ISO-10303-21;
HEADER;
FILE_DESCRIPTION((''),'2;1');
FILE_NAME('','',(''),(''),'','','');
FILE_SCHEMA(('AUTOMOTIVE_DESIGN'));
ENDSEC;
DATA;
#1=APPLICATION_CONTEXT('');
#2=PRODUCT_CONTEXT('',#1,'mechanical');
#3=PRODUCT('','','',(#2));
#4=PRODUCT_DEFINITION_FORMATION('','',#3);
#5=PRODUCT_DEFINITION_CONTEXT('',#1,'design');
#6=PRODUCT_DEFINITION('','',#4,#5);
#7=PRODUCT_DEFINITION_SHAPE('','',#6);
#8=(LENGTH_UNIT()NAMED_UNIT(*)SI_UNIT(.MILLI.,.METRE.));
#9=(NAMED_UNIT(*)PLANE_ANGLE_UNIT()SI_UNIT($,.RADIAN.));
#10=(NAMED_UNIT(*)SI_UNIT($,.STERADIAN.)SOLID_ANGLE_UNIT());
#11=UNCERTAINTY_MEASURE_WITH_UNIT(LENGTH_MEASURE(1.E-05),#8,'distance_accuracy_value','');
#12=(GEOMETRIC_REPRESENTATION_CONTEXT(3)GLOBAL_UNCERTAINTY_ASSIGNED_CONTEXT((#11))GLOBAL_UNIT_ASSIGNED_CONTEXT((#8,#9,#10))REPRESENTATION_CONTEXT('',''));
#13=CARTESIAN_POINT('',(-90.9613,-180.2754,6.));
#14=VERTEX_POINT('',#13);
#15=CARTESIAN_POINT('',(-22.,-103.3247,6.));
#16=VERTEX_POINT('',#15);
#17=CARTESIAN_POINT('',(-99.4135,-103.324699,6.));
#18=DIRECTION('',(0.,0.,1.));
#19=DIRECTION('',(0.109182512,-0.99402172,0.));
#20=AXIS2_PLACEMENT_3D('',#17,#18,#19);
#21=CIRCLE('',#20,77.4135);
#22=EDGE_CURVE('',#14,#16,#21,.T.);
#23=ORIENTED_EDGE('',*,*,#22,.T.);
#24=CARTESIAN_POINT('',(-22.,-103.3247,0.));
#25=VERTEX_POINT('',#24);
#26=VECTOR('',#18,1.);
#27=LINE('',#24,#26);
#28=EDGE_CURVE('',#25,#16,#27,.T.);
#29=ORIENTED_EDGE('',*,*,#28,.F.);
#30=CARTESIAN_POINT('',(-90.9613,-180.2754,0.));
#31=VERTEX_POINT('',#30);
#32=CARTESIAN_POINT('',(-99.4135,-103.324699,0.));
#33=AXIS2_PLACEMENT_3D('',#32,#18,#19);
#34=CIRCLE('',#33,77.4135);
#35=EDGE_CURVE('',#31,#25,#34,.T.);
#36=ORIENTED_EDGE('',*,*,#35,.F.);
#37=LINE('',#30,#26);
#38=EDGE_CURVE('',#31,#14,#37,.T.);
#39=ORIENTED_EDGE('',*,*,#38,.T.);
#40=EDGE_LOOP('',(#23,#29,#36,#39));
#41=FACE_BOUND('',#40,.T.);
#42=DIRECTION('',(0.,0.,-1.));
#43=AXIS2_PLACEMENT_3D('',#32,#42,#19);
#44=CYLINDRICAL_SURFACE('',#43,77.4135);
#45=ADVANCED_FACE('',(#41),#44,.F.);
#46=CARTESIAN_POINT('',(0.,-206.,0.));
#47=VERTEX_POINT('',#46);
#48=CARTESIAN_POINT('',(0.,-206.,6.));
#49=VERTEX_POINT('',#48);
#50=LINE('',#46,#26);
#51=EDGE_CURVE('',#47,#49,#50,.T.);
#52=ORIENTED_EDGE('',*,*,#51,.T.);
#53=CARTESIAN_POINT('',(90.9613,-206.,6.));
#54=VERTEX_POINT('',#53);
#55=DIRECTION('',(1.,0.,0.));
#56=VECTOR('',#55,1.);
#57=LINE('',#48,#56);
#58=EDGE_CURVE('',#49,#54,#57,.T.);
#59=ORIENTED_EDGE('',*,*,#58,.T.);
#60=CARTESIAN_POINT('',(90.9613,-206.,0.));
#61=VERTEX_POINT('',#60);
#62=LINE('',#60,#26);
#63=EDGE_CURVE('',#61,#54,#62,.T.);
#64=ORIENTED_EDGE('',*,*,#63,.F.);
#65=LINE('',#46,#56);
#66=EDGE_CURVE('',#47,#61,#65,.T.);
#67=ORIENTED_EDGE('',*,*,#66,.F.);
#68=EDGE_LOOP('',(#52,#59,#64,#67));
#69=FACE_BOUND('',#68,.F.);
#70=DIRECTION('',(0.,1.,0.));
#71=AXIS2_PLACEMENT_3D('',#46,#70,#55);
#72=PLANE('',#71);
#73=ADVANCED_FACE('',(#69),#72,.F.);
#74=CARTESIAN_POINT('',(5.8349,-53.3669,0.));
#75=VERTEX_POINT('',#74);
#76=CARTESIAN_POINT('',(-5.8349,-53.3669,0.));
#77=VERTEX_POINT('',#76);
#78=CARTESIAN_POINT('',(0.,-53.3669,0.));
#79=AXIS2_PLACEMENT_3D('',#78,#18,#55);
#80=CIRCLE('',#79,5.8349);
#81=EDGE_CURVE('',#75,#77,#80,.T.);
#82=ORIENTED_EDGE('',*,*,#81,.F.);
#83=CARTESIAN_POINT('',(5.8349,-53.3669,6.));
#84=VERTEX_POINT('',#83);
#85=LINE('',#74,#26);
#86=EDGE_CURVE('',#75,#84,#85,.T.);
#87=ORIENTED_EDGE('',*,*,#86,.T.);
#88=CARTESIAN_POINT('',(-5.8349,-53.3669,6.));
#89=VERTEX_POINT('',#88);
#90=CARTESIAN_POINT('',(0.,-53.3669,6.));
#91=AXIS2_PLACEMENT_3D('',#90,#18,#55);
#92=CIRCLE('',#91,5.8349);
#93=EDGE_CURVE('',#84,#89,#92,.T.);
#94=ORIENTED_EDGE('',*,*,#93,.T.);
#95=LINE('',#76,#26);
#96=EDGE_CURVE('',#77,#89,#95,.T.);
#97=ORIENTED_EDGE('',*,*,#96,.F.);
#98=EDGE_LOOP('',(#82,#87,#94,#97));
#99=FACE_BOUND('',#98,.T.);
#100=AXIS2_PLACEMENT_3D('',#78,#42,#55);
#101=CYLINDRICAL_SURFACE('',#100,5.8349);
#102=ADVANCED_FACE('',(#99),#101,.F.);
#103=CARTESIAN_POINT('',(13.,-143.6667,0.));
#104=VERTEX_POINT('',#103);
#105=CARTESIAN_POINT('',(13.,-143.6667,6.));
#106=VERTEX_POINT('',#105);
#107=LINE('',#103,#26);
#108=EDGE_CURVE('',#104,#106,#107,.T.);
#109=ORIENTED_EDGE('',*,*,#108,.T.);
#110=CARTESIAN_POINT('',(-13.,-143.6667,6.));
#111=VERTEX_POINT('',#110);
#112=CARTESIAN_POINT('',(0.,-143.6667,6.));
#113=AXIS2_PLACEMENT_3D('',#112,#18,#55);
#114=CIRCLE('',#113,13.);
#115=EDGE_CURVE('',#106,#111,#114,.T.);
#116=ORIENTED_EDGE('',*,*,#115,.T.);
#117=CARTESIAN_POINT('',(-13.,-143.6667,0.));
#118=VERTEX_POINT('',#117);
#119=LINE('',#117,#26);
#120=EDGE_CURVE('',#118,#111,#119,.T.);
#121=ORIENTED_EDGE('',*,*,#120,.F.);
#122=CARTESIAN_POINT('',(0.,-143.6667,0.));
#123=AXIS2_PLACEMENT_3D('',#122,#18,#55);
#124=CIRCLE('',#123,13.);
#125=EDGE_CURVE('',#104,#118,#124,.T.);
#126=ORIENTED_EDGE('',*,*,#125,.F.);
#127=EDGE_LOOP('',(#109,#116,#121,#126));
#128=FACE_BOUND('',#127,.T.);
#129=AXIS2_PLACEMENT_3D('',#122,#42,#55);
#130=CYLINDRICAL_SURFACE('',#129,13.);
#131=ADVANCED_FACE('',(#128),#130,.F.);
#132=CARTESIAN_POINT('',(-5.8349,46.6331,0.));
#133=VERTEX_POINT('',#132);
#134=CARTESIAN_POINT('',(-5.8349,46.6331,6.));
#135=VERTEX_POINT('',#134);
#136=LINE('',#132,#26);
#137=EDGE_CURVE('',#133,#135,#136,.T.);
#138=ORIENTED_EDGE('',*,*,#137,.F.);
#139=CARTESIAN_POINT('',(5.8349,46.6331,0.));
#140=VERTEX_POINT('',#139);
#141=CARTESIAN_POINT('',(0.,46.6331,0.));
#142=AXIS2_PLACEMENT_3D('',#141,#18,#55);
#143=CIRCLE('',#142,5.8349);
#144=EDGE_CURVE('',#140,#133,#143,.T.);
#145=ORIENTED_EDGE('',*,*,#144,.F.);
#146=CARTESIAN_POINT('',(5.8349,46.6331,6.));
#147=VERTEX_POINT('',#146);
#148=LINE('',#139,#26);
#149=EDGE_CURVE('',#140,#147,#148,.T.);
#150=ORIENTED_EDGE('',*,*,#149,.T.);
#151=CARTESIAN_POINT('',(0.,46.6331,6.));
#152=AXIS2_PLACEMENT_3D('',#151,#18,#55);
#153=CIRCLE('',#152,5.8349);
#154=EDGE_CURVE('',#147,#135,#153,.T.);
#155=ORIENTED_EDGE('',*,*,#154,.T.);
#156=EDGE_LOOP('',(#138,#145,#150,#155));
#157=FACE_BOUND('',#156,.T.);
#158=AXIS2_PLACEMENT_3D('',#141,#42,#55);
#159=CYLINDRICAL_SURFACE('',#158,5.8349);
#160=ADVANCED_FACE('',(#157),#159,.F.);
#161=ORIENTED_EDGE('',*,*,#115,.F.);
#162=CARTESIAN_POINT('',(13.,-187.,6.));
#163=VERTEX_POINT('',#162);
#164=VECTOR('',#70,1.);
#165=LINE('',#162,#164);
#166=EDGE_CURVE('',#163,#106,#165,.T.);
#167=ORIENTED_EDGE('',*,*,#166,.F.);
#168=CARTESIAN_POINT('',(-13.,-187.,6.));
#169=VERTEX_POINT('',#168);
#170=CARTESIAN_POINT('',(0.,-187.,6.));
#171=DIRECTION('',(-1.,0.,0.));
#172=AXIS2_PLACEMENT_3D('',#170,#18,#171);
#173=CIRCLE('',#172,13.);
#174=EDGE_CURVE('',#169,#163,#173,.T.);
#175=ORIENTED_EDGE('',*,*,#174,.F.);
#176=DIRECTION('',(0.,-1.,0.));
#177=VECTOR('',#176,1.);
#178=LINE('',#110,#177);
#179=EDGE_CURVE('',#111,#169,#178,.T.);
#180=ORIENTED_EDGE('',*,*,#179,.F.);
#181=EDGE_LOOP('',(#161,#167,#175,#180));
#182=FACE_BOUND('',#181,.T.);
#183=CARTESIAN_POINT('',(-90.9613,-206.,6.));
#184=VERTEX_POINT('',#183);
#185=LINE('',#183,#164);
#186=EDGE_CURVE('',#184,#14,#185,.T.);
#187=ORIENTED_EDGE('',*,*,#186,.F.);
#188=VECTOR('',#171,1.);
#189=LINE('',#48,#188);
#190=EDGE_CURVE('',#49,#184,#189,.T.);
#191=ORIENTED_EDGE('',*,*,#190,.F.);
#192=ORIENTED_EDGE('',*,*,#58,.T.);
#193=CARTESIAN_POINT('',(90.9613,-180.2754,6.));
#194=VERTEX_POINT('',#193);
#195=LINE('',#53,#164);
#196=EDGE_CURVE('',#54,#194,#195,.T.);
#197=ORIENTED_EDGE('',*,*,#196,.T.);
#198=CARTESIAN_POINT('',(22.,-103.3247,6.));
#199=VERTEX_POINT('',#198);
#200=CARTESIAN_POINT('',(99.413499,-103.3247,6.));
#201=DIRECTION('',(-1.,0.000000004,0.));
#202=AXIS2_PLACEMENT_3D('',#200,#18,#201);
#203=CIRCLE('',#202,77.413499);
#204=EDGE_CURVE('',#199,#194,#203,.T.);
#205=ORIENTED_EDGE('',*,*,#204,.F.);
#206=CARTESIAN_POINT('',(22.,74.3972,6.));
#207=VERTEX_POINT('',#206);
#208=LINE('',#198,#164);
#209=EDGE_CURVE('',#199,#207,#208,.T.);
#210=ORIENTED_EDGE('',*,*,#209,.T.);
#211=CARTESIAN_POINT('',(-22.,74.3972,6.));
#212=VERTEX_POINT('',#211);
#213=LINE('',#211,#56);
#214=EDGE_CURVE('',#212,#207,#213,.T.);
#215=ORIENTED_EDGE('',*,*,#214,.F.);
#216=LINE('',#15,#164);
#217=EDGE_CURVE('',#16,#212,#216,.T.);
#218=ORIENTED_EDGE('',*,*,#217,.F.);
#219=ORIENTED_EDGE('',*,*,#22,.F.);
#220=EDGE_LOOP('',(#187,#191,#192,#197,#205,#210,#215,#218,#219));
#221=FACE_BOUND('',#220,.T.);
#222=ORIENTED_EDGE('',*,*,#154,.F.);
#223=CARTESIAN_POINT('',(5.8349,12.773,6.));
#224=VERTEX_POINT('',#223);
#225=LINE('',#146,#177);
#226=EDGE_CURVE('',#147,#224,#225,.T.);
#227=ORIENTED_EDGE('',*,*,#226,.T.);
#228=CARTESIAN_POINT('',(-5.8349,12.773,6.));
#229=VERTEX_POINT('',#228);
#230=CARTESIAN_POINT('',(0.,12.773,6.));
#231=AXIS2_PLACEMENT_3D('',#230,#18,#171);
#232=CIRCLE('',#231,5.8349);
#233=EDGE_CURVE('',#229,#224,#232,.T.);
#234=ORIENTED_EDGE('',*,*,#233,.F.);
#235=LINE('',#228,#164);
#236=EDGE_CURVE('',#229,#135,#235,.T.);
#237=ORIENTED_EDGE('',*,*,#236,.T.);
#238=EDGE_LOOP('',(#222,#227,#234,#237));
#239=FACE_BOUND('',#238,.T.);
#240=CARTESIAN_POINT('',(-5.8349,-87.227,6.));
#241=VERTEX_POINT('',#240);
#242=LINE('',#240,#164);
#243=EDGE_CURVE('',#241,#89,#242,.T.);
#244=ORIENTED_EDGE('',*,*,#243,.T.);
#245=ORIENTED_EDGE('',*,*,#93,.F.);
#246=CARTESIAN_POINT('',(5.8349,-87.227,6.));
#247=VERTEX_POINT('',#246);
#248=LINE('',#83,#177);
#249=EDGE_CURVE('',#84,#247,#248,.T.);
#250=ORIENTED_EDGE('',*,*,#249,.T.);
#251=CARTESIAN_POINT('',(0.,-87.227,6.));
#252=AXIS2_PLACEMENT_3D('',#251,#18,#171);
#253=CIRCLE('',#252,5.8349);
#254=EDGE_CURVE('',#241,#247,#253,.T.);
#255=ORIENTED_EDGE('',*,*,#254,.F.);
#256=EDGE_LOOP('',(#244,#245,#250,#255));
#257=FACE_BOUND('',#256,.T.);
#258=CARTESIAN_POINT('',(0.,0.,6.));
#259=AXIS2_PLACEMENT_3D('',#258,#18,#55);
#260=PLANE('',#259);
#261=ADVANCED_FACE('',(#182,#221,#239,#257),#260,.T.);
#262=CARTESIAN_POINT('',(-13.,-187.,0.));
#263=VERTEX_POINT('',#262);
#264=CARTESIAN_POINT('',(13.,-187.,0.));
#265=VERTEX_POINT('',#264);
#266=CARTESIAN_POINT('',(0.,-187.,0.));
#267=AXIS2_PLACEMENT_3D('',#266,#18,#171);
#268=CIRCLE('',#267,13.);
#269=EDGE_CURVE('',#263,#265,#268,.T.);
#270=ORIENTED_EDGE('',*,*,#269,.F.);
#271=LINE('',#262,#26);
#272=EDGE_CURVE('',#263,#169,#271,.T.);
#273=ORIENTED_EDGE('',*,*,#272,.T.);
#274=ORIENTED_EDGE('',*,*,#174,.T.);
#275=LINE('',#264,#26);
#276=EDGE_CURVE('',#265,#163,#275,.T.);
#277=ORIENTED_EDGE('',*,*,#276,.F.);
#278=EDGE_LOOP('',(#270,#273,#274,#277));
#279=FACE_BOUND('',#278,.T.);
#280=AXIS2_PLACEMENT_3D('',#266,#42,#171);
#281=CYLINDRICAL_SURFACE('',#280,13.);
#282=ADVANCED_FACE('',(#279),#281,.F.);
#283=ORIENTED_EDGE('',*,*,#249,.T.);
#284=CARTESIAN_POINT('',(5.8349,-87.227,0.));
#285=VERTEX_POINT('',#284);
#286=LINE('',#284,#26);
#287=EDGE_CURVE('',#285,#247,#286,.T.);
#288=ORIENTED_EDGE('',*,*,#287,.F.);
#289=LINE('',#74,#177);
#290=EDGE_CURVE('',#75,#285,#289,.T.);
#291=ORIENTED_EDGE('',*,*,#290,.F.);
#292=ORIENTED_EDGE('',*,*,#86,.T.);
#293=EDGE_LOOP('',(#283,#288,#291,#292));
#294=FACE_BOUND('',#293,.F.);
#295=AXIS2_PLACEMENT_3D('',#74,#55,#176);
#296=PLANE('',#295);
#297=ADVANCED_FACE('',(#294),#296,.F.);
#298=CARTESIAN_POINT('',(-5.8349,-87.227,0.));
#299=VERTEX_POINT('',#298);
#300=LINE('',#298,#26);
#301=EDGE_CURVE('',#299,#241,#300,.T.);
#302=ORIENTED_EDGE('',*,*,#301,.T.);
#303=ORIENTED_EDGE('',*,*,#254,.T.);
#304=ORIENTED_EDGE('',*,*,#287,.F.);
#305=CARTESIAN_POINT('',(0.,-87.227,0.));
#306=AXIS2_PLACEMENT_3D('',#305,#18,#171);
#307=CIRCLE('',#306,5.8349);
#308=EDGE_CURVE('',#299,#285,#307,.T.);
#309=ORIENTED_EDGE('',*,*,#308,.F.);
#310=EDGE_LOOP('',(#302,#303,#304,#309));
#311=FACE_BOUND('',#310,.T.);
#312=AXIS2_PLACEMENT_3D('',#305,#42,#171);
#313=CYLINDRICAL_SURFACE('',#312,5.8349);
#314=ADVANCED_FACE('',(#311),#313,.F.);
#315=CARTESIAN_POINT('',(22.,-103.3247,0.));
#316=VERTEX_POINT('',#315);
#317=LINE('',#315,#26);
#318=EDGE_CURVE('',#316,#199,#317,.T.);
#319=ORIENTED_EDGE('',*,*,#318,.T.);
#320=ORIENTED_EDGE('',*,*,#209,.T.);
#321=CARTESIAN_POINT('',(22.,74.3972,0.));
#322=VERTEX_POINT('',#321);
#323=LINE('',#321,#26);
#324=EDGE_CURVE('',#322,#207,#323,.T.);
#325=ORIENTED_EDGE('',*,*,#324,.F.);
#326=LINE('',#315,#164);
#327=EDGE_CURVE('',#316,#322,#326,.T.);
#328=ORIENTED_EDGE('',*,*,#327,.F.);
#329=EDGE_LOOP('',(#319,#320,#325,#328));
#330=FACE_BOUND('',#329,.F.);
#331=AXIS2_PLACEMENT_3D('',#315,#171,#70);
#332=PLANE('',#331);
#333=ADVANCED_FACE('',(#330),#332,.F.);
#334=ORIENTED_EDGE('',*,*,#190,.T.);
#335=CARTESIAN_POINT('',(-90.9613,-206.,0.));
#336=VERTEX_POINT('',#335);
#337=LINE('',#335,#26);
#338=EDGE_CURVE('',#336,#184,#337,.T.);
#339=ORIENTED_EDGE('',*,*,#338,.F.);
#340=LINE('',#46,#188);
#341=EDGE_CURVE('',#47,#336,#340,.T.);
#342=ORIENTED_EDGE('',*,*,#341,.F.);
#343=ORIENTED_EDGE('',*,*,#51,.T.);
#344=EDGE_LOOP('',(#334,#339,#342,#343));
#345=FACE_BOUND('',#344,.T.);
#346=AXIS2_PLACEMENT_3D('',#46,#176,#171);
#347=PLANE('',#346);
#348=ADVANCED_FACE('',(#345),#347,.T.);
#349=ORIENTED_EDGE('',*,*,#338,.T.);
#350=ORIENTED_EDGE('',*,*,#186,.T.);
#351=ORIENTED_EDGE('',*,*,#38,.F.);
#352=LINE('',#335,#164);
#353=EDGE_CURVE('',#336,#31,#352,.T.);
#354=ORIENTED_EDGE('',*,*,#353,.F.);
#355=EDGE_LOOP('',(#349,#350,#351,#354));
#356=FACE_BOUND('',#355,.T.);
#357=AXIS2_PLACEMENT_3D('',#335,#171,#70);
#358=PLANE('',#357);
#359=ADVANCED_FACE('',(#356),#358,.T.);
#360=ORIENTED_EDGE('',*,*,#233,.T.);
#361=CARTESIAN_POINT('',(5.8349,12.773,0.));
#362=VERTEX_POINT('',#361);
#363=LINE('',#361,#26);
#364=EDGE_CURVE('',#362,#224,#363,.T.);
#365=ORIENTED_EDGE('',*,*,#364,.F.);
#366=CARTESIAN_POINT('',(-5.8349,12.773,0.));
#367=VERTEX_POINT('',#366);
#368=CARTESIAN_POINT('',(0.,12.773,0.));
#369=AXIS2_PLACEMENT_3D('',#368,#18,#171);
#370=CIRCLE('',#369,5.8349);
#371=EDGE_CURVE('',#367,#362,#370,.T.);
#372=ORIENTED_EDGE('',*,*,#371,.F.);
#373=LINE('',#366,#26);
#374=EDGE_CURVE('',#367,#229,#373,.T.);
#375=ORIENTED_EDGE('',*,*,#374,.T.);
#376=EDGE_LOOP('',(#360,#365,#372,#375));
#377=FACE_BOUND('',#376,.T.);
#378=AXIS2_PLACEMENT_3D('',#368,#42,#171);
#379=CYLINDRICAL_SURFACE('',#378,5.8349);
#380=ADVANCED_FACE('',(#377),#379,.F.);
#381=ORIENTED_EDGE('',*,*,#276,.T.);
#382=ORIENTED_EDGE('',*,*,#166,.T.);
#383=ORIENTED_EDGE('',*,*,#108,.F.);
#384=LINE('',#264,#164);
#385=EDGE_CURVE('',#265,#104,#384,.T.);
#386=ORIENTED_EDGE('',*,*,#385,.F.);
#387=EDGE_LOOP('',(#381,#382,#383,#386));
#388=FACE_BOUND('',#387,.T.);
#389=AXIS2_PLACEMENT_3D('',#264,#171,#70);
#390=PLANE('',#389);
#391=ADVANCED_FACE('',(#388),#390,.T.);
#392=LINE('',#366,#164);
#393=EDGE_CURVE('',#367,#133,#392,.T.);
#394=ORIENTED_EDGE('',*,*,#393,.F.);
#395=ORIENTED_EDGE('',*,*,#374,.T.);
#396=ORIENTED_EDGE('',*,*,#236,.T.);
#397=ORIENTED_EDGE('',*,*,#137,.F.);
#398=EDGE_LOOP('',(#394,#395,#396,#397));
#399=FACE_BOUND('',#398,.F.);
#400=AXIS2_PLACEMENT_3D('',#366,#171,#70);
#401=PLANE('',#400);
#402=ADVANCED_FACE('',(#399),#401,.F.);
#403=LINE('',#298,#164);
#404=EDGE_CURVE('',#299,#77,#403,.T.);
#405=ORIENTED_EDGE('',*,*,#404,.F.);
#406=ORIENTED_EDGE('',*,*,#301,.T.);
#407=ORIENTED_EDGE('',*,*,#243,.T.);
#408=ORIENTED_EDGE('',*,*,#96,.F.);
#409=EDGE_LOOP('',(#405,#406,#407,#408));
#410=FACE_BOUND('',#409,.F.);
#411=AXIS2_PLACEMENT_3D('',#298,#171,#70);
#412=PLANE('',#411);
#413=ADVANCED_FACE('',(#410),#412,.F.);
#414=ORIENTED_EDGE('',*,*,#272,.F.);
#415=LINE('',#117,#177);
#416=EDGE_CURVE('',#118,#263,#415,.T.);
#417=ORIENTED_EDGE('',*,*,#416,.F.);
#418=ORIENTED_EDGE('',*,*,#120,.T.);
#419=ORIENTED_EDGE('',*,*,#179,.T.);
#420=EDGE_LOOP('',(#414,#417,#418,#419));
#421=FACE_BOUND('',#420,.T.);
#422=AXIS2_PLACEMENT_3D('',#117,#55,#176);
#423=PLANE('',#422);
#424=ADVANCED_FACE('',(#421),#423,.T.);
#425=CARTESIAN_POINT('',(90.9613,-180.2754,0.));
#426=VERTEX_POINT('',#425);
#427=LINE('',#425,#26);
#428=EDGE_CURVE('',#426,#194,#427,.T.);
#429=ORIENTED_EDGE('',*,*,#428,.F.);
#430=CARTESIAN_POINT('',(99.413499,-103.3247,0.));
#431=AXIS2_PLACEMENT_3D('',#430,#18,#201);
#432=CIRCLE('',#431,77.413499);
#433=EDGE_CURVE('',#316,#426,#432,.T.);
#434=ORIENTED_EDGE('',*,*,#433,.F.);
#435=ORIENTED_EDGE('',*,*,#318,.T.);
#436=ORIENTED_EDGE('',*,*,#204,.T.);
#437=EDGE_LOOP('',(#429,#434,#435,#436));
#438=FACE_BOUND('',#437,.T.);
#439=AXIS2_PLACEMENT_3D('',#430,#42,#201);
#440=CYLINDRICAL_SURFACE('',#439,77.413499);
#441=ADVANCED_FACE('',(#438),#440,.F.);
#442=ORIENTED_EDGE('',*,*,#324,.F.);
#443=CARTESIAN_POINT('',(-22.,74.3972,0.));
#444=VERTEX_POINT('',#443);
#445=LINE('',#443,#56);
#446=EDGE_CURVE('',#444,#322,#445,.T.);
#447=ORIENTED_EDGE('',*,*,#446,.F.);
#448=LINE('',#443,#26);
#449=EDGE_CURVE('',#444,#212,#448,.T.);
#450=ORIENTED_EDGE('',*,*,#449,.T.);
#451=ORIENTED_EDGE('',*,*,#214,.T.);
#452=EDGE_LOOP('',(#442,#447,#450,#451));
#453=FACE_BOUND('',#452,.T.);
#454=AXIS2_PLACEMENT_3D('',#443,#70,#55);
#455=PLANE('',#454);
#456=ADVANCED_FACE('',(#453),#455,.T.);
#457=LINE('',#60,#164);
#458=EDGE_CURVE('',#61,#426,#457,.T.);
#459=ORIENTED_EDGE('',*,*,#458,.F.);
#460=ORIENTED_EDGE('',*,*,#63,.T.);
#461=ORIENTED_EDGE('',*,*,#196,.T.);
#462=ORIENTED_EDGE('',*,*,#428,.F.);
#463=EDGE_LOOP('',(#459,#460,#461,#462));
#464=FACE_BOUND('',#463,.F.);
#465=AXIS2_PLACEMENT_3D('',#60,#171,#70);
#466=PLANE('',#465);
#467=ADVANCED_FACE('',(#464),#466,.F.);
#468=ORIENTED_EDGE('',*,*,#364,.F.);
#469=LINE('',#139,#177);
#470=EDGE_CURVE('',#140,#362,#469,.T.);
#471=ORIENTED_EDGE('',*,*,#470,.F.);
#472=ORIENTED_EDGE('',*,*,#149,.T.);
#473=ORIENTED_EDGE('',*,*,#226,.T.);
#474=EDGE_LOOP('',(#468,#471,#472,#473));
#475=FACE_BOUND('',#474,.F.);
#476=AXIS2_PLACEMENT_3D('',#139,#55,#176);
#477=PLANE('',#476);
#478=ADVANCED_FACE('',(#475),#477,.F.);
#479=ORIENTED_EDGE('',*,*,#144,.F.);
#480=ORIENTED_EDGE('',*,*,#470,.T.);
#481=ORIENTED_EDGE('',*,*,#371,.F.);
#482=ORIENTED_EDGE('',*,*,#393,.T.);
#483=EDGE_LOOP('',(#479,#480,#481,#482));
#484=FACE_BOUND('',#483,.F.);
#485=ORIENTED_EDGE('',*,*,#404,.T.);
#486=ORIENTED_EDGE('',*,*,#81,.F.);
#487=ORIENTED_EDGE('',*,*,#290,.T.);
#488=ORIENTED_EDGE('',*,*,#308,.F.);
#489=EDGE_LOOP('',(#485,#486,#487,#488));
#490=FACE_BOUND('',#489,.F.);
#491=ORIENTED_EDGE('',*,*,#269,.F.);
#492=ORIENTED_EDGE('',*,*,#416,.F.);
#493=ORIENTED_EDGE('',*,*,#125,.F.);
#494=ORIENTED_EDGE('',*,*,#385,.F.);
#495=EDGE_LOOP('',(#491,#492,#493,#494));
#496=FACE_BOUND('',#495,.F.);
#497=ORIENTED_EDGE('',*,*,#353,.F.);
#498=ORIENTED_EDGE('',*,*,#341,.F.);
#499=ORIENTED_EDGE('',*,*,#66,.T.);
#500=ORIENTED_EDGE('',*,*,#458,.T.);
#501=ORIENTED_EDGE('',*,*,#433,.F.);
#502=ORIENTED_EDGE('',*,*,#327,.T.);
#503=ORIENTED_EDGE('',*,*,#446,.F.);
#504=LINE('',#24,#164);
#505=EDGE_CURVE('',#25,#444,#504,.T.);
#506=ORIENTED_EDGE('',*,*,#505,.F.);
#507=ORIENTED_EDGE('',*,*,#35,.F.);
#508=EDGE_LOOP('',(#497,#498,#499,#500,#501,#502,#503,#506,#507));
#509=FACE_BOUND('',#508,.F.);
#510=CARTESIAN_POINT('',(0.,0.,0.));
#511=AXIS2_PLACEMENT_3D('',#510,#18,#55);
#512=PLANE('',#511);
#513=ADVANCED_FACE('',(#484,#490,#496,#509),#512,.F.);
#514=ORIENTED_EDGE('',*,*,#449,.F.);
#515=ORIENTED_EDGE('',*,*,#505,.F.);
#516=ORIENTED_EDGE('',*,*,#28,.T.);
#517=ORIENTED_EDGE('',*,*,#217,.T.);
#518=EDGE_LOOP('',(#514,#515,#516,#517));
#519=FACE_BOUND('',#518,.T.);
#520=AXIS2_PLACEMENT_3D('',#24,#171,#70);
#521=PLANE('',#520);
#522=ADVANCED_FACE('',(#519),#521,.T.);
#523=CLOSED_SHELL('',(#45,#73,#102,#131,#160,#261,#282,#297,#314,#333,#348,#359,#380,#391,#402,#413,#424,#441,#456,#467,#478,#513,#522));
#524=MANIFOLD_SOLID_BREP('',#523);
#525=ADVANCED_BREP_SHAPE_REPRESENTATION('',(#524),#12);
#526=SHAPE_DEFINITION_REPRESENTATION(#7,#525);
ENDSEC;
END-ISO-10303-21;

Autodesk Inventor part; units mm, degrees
ref_plane "YZ Plane" through (0, 0, 0) normal (1, 0, 0) x (0, 1, 0)
ref_plane "XZ Plane" through (0, 0, 0) normal (0, 1, 0) x (-1, 0, 0)
ref_plane "XY Plane" through (0, 0, 0) normal (0, 0, 1) x (1, 0, 0)
sketch "Sketch1" plane through (0, 0, 0) normal (0, 0, 1) x (1, 0, 0)
  line L0 (10, -206) -> (-10, -206) construction
  line L1 (0, 0) -> (0, -45.7411)
  line L2 (-10, -206) -> (10, -206) construction
  arc A0 (-10, -160.3333) -> (10, -160.3333) centre (0, -160.3333) ccw projected
  line L3 (10, -143.6667) -> (10, -160.3333) projected
  line L4 (-10, -160.3333) -> (-10, -143.6667) projected
  arc A1 (10, -143.6667) -> (-10, -143.6667) centre (0, -143.6667) ccw projected
  circle A2 centre (-8, -187) radius 1.6 projected
  circle A3 centre (8, -187) radius 1.6 projected
  arc A4 (-5.8349, -87.227) -> (5.8349, -87.227) centre (0, -87.227) ccw projected
  line L5 (5.8349, -53.3669) -> (5.8349, -87.227) projected
  line L6 (-5.8349, -87.227) -> (-5.8349, -53.3669) projected
  arc A5 (5.8349, -53.3669) -> (-5.8349, -53.3669) centre (0, -53.3669) ccw projected
  line L7 (0, -206) -> (-90.9613, -206)
  line L8 (-90.9613, -206) -> (-90.9613, -180.2754)
  arc A6 (-90.9613, -180.2754) -> (-22, -103.3247) centre (-99.4135, -103.3247) ccw
  line L9 (-22, -103.3247) -> (-22, 74.3972)
  line L10 (0, -143.6667) -> (0, -187) construction
  line L11 (-13, -143.6667) -> (-13, -187)
  line L12 (13, -187) -> (13, -143.6667)
  arc A7 (13, -143.6667) -> (-13, -143.6667) centre (0, -143.6667) ccw
  arc A8 (-13, -187) -> (13, -187) centre (0, -187) ccw
  line L13 (0, -206) -> (90.9613, -206)
  line L14 (90.9613, -206) -> (90.9613, -180.2754)
  arc A9 (22, -103.3247) -> (90.9613, -180.2754) centre (99.4135, -103.3247) ccw
  line L15 (22, -103.3247) -> (22, 74.3972)
  line L16 (5.8349, 46.6331) -> (5.8349, 12.773) projected
  arc A10 (-5.8349, 12.773) -> (5.8349, 12.773) centre (0, 12.773) ccw projected
  line L17 (-5.8349, 12.773) -> (-5.8349, 46.6331) projected
  arc A11 (5.8349, 46.6331) -> (-5.8349, 46.6331) centre (0, 46.6331) ccw projected
  line L18 (-22, 74.3972) -> (22, 74.3972)
  point P0 (0, -165.3333)
  dimension "d2" = 26
  dimension "d5" = 22
extrude "Extrusion1" add sketch "Sketch1" along normal blind 6 contours L7 L8 A6 L9 L18 L15 A9 L14 L13
properties part number "Camera stabiliser"
